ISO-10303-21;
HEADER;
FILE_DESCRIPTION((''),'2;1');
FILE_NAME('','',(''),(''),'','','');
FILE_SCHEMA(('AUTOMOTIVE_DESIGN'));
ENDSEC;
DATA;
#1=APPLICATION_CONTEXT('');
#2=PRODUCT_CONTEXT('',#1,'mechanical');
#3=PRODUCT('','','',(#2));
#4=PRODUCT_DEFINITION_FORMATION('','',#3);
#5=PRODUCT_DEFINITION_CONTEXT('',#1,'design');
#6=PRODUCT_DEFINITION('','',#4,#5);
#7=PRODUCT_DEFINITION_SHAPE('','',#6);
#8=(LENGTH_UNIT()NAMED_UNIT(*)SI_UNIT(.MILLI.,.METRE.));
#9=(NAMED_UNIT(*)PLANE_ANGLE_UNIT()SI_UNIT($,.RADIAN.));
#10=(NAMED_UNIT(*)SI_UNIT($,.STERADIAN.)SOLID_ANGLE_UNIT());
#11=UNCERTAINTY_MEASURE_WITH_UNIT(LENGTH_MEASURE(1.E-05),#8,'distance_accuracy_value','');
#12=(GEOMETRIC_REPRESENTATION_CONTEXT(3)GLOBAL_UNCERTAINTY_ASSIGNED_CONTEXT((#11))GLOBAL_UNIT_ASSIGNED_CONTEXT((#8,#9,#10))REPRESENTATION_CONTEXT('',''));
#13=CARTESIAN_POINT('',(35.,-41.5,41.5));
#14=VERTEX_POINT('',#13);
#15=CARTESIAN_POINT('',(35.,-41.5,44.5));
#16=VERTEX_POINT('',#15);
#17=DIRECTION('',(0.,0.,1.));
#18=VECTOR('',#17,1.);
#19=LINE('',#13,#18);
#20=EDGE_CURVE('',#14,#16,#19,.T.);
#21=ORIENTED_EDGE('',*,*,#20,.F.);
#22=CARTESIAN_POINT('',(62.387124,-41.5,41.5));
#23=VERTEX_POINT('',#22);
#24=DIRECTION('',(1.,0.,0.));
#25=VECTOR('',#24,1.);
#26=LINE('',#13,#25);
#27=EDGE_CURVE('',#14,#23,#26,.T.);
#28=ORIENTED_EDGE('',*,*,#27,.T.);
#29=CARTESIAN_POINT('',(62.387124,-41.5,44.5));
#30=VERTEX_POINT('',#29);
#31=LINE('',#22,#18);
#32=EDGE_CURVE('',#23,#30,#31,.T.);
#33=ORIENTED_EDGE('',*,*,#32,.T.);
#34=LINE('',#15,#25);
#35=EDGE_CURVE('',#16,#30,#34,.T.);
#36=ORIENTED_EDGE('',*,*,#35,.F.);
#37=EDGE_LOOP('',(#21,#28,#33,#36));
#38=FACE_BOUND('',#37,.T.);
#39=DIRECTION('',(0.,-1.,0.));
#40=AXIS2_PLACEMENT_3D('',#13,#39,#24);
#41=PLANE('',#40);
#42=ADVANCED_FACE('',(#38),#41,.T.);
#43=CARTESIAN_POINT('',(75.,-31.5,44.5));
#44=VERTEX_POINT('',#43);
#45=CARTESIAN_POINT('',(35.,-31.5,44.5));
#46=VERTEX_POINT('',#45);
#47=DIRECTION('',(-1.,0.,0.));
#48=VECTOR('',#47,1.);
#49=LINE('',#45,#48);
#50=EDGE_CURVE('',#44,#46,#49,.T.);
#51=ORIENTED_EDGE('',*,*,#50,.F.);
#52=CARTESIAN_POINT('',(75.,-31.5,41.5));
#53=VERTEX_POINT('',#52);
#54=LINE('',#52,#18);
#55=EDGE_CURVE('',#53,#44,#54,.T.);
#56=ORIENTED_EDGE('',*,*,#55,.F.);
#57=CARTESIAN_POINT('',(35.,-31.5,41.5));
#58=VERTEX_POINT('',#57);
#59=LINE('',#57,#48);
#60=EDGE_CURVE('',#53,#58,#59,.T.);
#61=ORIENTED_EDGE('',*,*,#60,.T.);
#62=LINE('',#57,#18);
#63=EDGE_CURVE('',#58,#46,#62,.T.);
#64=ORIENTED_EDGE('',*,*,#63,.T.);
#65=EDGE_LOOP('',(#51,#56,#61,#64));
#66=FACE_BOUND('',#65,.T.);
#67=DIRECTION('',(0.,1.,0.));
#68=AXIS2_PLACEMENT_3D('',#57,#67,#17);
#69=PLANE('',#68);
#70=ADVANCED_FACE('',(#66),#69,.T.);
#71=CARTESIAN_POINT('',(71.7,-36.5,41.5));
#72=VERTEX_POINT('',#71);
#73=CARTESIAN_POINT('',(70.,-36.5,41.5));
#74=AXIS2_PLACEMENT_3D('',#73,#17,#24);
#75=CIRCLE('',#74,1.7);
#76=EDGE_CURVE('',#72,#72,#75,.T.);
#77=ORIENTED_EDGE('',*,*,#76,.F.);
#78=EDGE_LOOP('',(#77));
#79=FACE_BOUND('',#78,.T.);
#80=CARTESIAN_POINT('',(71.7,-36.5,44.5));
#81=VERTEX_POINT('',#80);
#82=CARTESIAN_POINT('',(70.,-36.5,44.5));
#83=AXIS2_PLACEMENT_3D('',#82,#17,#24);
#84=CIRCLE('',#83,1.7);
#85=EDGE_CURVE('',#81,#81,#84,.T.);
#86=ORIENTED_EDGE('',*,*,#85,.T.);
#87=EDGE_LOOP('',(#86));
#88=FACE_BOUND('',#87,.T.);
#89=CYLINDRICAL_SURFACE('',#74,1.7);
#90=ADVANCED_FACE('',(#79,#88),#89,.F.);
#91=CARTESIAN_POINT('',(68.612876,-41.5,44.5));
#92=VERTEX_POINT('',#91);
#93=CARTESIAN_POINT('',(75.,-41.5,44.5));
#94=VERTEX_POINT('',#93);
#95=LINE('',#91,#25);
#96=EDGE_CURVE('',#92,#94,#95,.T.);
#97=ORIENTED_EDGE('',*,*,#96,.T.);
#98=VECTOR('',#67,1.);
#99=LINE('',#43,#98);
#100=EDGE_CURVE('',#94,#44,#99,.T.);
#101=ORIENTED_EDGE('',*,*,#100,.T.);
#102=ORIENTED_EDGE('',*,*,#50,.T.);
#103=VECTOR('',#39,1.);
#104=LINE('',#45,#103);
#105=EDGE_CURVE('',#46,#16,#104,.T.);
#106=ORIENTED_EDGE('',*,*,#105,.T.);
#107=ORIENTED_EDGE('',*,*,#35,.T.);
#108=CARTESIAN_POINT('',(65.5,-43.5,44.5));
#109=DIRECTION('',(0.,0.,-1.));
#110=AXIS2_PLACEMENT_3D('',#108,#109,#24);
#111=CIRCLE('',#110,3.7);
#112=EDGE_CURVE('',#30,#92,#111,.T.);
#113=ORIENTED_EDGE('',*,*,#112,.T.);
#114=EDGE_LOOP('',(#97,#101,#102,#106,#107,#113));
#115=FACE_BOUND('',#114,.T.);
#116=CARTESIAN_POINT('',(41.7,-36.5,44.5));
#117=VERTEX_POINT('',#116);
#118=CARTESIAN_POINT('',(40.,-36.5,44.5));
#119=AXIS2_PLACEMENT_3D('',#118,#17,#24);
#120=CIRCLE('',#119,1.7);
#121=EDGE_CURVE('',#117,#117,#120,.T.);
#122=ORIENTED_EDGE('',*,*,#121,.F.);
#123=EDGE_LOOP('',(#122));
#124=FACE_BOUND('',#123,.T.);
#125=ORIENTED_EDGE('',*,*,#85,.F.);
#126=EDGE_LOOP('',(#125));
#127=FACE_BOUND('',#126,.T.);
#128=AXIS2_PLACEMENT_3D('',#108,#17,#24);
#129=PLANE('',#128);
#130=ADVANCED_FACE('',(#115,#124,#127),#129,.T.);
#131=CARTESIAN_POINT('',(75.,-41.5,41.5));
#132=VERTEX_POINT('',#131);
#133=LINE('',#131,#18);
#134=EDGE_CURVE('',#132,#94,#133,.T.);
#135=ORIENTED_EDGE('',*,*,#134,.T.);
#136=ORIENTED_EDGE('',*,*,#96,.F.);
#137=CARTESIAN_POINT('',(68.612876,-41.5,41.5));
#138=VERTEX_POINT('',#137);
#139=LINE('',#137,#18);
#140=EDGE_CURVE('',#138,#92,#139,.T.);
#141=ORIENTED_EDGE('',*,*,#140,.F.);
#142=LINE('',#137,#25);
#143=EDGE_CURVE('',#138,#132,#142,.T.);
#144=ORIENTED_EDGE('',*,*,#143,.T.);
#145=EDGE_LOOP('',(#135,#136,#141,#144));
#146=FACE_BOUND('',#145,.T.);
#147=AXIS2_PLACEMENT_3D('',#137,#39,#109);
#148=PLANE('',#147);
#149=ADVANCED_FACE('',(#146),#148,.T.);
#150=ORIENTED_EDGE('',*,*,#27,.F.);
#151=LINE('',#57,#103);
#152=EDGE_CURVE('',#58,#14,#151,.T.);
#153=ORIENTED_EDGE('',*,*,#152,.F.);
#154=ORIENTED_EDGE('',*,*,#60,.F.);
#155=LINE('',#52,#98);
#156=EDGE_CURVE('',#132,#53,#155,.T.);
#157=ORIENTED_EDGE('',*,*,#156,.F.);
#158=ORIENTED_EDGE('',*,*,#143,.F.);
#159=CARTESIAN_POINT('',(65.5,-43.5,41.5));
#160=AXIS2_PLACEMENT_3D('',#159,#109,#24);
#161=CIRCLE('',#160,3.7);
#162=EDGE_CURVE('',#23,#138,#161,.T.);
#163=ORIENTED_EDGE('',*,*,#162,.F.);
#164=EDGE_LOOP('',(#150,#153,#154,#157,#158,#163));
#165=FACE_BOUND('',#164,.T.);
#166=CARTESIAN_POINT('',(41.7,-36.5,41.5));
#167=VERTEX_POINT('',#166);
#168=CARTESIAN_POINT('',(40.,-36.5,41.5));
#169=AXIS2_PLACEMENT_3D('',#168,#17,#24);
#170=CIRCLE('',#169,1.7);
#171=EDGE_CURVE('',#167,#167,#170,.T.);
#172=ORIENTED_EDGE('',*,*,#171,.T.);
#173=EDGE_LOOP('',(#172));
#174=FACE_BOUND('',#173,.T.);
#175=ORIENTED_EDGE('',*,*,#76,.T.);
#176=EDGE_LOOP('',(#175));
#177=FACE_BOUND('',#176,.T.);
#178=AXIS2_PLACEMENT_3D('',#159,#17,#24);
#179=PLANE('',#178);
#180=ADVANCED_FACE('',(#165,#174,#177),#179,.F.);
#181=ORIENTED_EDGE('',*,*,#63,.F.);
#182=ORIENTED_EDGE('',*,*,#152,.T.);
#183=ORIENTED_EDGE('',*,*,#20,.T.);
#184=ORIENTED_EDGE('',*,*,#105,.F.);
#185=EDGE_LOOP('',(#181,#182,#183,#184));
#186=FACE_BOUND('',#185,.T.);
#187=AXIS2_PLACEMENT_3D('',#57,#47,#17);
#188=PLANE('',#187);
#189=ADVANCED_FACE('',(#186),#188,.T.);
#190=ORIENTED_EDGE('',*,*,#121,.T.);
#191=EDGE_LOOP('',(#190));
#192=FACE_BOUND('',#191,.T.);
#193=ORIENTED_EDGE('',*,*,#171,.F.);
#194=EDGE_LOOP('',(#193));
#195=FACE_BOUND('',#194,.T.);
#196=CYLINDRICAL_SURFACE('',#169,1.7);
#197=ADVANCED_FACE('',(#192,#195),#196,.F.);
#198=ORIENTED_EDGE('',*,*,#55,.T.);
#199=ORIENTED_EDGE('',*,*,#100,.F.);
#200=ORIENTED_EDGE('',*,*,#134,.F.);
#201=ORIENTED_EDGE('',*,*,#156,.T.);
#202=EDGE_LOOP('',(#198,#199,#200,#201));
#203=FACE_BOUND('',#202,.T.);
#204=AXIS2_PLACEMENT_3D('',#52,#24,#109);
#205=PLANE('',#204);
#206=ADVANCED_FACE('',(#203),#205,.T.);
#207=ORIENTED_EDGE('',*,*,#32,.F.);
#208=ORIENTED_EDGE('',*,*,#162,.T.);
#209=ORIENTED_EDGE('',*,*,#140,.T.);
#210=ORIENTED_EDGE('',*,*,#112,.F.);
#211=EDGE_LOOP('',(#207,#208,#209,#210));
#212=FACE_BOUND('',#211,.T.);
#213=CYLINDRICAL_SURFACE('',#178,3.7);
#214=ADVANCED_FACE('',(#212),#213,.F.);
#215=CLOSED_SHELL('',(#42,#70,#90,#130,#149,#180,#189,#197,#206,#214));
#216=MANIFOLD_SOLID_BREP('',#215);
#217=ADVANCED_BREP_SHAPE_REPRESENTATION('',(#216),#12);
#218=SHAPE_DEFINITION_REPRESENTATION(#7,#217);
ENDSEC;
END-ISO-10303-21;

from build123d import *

# Parameters (mm, degrees)
MAIN_PROFILE_SKETCH_R = 1.7
MAIN_EXTRUSION_DEPTH  = 3


with BuildPart() as part:
    # Main Profile Sketch → Main Extrusion (new body)
    with BuildSketch(Plane.XY.offset(44.5)):
        with BuildLine():
            Line((35, -31.5), (75, -31.5))
            Line((75, -31.5), (75, -41.5))
            Line((75, -41.5), (68.612876483, -41.5))
            ThreePointArc((68.612876483, -41.5), (65.5, -39.8), (62.387123517, -41.5))
            Line((62.387123517, -41.5), (35, -41.5))
            Line((35, -41.5), (35, -31.5))
        make_face()
        with Locations((40, -36.5)):
            Circle(MAIN_PROFILE_SKETCH_R, mode=Mode.SUBTRACT)
        with Locations((70, -36.5)):
            Circle(MAIN_PROFILE_SKETCH_R, mode=Mode.SUBTRACT)
    extrude(amount=-MAIN_EXTRUSION_DEPTH)


solid = part.part
